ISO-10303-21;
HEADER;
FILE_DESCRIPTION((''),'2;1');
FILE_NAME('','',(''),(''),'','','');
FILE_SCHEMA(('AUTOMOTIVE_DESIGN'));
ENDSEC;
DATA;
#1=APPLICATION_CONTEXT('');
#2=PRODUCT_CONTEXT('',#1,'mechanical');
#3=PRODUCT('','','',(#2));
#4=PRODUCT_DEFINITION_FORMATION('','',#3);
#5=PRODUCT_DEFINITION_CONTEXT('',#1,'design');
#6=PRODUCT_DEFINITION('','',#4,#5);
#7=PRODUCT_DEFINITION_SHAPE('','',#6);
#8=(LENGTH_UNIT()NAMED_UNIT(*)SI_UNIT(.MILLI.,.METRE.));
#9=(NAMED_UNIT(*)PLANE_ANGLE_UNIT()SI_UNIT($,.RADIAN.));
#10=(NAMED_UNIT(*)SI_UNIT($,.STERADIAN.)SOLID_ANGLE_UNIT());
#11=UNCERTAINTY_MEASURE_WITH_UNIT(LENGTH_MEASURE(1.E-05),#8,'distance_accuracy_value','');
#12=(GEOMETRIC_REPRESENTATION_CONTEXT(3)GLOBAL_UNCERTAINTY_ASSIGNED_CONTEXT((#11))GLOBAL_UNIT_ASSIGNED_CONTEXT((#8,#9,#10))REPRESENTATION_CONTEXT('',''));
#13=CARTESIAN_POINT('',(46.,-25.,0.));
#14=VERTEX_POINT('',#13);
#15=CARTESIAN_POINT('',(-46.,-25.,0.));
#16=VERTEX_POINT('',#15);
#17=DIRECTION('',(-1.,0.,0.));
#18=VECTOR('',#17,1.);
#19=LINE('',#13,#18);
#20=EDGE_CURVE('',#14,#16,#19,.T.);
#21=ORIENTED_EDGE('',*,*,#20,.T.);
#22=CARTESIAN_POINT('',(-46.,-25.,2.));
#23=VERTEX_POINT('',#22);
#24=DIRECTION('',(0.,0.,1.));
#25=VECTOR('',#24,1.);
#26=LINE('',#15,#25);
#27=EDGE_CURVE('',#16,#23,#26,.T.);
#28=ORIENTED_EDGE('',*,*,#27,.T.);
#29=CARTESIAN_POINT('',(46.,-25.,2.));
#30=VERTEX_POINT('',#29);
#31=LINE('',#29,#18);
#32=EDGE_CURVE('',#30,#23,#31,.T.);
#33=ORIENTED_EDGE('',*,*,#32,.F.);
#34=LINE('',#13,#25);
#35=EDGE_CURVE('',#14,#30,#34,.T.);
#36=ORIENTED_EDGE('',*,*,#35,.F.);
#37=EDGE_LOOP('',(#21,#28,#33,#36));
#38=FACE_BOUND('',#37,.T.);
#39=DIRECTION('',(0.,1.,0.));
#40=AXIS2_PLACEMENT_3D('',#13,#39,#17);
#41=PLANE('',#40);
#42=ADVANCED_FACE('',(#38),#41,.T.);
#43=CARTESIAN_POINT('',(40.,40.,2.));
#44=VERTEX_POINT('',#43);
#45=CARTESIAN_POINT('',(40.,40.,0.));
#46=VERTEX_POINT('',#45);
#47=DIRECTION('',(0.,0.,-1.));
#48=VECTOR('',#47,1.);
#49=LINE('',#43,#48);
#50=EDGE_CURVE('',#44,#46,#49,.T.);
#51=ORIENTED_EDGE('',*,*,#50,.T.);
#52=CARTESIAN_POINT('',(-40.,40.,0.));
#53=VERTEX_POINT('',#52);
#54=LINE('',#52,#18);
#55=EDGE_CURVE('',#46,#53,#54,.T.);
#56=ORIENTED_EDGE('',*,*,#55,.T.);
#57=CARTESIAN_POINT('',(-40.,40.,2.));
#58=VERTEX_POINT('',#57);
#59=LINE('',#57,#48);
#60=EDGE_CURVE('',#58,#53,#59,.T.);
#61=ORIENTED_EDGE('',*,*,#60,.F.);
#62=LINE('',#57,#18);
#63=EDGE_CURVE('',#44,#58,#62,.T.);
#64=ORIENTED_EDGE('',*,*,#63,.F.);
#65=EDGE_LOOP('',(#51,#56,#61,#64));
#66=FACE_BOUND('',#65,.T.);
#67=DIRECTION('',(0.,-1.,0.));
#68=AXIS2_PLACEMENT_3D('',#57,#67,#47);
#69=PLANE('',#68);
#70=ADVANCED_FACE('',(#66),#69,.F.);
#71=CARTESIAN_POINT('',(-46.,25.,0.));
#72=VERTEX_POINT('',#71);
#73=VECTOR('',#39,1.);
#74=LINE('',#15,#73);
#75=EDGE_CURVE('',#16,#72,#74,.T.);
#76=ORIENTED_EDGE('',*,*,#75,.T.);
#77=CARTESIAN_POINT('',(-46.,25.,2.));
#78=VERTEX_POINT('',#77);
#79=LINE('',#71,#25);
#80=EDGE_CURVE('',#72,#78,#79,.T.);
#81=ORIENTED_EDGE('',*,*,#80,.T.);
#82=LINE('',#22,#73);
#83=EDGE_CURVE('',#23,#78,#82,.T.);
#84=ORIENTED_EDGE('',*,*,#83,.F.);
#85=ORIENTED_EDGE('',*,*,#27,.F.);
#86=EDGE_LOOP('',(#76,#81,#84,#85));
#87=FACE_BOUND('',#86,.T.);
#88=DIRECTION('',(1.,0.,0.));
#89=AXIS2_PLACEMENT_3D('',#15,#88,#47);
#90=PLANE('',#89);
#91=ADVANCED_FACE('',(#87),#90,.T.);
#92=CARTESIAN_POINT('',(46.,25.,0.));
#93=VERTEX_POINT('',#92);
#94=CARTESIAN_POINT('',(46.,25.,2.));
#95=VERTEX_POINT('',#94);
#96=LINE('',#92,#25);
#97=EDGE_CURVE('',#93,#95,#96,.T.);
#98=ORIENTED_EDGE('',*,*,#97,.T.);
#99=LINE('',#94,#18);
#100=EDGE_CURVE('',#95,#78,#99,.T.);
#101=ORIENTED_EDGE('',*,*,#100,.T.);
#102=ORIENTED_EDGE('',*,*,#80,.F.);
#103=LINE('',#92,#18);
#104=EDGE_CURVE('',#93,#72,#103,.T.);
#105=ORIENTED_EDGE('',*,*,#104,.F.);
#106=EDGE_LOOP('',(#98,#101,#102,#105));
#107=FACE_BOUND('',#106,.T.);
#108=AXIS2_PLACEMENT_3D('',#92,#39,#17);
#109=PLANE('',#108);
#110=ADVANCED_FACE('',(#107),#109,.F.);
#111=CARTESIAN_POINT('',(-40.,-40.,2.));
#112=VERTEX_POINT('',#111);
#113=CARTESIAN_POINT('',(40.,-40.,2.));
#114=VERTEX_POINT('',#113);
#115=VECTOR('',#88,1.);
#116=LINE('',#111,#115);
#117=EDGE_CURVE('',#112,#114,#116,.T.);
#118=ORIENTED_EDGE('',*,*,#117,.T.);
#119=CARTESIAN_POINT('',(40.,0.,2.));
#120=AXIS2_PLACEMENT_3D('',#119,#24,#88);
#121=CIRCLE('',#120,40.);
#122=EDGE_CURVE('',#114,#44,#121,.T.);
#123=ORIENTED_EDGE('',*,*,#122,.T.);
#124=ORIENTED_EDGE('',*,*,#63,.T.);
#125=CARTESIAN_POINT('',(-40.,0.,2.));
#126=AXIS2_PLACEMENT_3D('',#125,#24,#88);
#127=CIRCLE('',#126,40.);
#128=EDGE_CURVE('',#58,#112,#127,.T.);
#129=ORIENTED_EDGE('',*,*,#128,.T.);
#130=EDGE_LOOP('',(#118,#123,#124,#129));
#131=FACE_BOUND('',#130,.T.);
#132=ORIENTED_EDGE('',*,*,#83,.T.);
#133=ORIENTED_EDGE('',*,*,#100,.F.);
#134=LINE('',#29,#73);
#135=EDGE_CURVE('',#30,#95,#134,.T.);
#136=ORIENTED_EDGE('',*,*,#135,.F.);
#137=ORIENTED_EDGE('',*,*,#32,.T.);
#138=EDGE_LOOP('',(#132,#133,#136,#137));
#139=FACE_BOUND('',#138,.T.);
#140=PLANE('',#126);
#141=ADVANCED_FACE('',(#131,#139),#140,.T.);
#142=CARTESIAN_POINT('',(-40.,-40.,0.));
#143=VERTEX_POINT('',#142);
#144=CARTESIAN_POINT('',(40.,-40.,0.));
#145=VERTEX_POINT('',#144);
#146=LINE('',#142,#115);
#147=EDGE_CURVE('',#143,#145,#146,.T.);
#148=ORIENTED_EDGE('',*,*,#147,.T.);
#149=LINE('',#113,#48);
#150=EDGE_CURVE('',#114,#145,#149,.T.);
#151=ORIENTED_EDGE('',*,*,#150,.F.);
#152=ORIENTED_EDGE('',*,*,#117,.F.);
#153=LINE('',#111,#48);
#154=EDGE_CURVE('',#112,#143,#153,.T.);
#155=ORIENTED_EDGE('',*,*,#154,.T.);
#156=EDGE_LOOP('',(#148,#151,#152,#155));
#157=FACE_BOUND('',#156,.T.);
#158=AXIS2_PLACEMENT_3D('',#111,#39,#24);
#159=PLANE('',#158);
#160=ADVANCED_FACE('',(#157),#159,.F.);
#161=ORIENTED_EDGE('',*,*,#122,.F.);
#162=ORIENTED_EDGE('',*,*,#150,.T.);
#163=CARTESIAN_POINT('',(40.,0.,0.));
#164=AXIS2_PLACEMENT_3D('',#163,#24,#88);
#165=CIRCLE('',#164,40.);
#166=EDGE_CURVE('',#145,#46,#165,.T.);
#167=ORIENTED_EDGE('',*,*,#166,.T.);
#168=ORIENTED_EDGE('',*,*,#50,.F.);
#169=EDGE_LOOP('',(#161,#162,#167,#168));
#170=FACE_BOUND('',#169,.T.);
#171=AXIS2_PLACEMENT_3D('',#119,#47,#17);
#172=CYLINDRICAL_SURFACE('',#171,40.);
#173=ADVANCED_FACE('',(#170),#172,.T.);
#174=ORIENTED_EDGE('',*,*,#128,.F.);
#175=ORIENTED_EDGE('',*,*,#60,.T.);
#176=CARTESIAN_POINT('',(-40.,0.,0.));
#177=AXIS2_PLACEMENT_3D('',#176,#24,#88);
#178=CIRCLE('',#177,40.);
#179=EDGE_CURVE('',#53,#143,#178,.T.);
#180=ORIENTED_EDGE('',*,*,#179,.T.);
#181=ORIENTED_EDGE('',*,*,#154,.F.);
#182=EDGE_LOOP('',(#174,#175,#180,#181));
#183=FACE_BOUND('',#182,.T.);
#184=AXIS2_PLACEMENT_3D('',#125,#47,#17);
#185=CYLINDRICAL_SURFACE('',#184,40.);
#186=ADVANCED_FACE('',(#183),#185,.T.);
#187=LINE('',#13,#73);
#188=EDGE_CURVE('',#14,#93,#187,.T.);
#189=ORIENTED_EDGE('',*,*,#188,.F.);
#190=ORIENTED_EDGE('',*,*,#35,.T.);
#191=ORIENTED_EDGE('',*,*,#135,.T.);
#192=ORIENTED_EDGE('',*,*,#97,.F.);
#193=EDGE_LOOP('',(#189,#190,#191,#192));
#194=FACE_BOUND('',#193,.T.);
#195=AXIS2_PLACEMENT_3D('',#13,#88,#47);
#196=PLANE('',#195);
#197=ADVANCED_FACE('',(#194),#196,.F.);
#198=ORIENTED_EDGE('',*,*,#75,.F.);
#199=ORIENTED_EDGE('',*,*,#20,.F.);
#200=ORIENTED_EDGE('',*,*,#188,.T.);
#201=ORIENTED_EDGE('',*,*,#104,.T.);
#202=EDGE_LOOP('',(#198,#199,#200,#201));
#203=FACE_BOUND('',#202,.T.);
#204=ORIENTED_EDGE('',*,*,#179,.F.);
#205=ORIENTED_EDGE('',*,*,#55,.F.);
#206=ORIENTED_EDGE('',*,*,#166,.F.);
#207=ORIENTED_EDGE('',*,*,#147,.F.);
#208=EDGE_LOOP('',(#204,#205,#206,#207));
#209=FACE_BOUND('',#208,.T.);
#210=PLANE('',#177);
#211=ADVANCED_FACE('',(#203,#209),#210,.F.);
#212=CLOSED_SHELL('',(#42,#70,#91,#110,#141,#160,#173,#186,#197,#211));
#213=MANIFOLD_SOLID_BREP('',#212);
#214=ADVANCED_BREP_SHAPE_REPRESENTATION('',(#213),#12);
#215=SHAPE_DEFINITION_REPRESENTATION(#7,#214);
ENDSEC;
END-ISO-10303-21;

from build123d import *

# Parameters (mm, degrees)
EXTRUDE_1_DEPTH     = 2
SKETCH_2_W          = 92
SKETCH_2_H          = 50
CUT_EXTRUDE_1_DEPTH = 90.465076985


with BuildPart() as part:
    # Эскиз1 → Бобышка-Вытянуть1 (new body)
    with BuildSketch(Plane.XY):
        with BuildLine():
            Line((-40, 40), (40, 40))
            ThreePointArc((40, 40), (80, 0), (40, -40))
            Line((40, -40), (-40, -40))
            ThreePointArc((-40, -40), (-80, 0), (-40, 40))
        make_face()
    extrude(amount=EXTRUDE_1_DEPTH)

    # Эскиз2 → Вырез-Вытянуть1 (cut, through all)
    with BuildSketch(Plane.XY.offset(2)):
        Rectangle(SKETCH_2_W, SKETCH_2_H)
    extrude(amount=-CUT_EXTRUDE_1_DEPTH, mode=Mode.SUBTRACT)


solid = part.part
